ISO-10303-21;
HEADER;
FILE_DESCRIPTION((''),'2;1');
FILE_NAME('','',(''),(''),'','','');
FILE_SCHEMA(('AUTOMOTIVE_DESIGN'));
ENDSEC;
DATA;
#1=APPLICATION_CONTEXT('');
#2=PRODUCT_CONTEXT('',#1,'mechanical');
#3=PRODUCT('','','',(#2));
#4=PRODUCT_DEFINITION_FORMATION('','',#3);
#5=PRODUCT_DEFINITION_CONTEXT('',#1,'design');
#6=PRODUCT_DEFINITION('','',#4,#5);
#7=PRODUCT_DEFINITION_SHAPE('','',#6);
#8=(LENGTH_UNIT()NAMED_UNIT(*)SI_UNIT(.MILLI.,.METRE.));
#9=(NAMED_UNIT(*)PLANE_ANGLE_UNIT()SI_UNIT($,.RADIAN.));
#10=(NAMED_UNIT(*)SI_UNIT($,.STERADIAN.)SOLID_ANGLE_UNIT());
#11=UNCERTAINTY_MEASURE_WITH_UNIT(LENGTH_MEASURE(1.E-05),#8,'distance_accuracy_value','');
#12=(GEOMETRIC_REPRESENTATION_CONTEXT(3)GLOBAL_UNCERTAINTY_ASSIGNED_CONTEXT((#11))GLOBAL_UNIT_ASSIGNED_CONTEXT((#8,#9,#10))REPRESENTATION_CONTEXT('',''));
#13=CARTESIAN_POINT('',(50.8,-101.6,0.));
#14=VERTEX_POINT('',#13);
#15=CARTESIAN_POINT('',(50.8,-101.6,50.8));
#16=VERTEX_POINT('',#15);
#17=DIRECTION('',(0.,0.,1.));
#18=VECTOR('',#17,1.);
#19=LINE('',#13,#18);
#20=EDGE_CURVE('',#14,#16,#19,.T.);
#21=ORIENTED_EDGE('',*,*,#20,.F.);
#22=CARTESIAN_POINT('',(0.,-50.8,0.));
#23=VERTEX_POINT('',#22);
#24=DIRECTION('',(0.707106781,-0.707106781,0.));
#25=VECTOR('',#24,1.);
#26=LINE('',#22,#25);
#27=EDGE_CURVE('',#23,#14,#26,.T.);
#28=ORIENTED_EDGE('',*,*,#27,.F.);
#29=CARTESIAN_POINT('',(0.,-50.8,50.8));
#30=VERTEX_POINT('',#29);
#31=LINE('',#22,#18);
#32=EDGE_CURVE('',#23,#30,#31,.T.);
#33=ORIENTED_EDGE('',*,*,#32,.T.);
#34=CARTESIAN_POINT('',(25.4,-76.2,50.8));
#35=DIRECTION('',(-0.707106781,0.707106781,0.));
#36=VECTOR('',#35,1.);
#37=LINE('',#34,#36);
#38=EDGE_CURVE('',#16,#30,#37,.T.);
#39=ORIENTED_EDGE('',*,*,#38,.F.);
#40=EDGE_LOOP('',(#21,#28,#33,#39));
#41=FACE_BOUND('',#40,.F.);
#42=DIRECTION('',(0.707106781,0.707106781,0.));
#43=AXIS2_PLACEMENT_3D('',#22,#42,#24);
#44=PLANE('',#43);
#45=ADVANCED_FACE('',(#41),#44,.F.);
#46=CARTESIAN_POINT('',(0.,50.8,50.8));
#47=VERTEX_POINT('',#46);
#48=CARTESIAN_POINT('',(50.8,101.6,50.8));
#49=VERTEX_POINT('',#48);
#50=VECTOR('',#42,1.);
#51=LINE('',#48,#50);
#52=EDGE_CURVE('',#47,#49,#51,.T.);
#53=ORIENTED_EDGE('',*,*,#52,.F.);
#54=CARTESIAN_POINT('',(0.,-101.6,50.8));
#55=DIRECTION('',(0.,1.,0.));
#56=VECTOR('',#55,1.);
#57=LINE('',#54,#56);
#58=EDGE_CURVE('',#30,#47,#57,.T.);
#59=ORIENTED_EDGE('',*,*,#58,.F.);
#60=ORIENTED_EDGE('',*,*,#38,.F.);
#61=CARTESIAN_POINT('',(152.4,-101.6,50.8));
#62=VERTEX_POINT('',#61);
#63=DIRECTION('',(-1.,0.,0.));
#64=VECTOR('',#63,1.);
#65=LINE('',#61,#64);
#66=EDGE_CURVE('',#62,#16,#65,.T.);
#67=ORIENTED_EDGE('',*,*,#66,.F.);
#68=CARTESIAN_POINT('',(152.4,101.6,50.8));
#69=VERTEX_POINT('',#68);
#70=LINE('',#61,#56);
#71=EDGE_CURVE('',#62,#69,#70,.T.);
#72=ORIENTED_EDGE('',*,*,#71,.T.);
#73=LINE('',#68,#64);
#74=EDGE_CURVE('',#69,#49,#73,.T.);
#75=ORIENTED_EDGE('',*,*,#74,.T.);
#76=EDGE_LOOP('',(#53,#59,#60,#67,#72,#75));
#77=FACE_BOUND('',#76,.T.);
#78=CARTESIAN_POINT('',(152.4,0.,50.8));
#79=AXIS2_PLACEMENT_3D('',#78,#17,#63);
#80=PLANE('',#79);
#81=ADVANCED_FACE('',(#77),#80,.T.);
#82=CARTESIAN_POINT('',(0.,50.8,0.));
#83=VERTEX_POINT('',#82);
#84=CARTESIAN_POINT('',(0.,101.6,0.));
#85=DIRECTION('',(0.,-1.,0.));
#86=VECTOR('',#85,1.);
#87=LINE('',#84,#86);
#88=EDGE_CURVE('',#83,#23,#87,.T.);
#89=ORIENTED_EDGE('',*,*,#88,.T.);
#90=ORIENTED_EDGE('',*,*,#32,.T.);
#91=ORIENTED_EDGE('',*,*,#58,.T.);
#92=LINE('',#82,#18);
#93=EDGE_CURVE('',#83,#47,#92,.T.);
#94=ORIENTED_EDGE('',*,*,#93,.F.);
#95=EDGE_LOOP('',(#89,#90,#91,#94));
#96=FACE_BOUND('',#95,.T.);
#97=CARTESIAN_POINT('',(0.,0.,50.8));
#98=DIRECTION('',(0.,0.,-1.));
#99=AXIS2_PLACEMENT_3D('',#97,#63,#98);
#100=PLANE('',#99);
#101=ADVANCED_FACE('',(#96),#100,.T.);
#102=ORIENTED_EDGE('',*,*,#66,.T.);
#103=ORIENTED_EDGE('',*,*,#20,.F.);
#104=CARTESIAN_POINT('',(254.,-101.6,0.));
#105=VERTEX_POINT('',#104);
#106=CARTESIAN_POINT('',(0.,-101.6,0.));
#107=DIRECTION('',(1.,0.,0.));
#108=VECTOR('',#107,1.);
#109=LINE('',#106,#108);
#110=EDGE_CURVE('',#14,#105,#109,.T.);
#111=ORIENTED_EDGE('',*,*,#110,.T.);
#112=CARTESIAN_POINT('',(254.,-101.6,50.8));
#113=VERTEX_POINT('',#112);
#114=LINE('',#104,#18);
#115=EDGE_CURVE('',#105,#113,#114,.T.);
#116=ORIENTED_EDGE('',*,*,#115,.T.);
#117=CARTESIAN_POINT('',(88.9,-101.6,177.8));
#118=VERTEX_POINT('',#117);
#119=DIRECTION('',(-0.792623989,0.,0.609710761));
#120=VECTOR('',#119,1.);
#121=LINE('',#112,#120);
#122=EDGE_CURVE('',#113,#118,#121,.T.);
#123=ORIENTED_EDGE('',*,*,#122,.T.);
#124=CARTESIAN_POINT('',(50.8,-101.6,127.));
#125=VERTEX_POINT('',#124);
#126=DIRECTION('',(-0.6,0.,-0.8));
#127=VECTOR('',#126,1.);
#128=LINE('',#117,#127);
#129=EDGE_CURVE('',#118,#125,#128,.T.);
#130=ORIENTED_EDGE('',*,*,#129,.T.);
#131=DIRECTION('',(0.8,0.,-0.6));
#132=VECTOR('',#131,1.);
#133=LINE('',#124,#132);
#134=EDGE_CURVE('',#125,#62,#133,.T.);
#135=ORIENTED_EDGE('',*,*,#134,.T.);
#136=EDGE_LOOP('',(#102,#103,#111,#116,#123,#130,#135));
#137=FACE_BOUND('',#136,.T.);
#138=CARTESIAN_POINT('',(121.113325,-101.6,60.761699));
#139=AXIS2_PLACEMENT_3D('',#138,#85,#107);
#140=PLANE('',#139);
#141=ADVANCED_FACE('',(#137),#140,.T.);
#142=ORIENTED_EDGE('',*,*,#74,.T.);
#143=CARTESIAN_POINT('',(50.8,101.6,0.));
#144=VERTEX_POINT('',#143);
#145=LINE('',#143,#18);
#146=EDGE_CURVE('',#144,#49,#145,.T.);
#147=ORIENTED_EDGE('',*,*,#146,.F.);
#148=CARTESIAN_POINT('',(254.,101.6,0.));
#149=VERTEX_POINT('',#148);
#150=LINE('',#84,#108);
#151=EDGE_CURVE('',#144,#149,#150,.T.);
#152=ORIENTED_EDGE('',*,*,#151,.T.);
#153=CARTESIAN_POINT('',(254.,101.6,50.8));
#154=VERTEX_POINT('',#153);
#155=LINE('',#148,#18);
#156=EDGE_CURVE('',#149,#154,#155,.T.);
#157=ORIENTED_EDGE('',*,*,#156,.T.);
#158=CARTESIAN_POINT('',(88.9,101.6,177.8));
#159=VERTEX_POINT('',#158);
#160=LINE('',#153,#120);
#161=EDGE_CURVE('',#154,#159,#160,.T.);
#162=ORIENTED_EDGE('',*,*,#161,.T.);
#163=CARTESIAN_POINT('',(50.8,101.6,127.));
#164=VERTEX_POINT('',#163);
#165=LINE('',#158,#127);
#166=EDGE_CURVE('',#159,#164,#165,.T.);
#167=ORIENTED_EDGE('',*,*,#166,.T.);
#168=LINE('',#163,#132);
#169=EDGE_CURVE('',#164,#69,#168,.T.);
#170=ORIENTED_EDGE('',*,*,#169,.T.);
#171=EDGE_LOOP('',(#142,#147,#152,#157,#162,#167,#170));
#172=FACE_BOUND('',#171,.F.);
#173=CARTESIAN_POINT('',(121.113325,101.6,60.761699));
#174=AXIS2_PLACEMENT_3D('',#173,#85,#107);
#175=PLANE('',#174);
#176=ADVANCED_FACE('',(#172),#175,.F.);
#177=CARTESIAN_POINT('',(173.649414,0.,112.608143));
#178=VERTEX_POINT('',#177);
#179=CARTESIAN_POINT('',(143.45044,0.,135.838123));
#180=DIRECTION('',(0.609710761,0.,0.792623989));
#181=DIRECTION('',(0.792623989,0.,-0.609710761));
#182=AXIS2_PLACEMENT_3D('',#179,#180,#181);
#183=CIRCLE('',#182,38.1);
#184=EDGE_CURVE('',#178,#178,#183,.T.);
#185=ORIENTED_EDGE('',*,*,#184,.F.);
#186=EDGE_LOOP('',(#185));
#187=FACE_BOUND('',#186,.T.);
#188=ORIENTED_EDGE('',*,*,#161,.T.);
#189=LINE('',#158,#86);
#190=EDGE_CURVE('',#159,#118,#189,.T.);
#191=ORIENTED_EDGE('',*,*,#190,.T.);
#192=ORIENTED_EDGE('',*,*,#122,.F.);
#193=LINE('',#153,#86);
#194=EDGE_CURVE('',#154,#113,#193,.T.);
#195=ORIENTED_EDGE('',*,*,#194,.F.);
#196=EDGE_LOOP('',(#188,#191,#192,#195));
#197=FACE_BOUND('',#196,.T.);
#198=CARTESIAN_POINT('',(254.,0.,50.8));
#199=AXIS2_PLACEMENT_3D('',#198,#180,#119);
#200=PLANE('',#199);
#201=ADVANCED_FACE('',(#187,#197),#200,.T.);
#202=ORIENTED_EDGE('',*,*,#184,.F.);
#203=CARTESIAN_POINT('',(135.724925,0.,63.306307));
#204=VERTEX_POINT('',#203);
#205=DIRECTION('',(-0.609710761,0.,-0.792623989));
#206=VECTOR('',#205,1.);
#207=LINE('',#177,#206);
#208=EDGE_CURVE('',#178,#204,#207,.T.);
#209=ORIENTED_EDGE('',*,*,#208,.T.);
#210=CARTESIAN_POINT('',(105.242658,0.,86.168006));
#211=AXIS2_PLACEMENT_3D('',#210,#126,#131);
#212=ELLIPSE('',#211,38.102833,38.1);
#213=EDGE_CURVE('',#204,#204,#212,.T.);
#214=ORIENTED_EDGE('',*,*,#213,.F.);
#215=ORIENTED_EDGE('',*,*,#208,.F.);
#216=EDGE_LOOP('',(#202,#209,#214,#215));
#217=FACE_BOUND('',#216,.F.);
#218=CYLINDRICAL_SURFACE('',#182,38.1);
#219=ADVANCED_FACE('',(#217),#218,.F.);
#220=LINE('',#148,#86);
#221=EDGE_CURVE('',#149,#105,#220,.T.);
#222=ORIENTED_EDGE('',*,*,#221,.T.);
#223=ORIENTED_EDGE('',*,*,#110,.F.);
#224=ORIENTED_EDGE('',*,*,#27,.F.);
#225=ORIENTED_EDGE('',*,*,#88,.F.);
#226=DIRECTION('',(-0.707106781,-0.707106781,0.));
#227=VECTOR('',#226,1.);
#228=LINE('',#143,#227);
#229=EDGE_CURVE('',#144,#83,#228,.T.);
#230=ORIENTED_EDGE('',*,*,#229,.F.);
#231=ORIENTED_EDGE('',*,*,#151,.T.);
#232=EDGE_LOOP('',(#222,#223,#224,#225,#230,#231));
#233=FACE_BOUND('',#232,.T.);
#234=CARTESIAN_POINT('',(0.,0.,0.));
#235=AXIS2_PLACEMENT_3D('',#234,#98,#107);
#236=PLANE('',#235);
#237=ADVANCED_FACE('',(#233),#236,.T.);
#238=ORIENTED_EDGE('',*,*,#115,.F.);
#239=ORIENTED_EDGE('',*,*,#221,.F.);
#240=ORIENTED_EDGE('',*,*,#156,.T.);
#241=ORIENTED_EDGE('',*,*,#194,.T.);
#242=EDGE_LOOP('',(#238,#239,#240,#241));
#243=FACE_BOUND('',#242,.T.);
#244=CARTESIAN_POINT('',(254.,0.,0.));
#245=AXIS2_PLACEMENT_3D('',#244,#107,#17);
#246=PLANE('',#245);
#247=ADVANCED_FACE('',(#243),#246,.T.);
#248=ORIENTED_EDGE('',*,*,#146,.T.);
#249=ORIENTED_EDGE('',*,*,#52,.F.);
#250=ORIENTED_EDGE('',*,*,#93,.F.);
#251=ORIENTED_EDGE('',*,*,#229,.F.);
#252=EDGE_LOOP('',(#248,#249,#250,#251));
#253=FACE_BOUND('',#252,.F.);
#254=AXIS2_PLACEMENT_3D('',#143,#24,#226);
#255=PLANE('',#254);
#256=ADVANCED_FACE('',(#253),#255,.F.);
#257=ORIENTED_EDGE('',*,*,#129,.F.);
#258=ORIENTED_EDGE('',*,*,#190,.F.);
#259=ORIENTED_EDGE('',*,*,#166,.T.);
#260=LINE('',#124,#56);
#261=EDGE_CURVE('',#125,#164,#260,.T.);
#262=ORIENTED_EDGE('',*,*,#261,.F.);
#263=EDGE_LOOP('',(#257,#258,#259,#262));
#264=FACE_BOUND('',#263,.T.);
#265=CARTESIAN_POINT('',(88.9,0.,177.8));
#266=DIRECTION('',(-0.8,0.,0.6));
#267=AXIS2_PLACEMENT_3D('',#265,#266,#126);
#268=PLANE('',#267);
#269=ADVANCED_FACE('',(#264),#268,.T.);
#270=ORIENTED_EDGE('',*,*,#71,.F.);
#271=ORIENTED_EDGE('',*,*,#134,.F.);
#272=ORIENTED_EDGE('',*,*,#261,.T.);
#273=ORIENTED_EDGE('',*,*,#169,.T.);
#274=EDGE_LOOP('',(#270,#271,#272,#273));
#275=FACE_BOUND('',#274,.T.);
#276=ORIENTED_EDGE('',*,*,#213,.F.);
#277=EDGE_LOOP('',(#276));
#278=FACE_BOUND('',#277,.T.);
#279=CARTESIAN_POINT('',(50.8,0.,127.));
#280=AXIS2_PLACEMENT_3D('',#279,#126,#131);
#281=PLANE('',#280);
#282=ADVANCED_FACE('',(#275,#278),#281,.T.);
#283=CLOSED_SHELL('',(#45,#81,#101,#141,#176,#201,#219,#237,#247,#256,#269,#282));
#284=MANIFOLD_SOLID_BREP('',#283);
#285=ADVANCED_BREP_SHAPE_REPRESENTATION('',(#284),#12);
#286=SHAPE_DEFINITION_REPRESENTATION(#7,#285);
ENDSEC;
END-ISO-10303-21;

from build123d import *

# Parameters (mm, degrees)
F1_DEPTH = 101.6
F2_R     = 38.1
F3_DEPTH = 74.422
F5_DEPTH = 72.136


with BuildPart() as f1:
    # F0 (on Front) → F1 (new body, symmetric)
    with BuildSketch(Plane.XZ):
        Polygon((0, 50.8), (0, 0), (254, 0), (254, 50.8), (88.9, 177.8), (50.8, 127), (152.4, 50.8), (76.2, 50.8), align=None)
    extrude(amount=F1_DEPTH, both=True)

    # F2 (on face) → F3 (cut)
    with BuildSketch(Plane(origin=(118.9739776952, 0, 154.6661710037), x_dir=(0.7926239891, 0, -0.6097107608), z_dir=(0.6097107608, 0, 0.7926239891))):
        with Locations((30.880294776, 0)):
            Circle(F2_R)
    extrude(amount=-F3_DEPTH, mode=Mode.SUBTRACT)

    # F4 (on face) → F5 (cut)
    with BuildSketch(Plane(origin=(0, 0, 0), x_dir=(1, 0, 0), z_dir=(0, 0, -1))):
        Polygon((0, -50.8), (0, -101.6), (50.8, -101.6), align=None)
        Polygon((0, 101.6), (0, 50.8), (50.8, 101.6), align=None)
    extrude(amount=-F5_DEPTH, mode=Mode.SUBTRACT)


solid = f1.part
